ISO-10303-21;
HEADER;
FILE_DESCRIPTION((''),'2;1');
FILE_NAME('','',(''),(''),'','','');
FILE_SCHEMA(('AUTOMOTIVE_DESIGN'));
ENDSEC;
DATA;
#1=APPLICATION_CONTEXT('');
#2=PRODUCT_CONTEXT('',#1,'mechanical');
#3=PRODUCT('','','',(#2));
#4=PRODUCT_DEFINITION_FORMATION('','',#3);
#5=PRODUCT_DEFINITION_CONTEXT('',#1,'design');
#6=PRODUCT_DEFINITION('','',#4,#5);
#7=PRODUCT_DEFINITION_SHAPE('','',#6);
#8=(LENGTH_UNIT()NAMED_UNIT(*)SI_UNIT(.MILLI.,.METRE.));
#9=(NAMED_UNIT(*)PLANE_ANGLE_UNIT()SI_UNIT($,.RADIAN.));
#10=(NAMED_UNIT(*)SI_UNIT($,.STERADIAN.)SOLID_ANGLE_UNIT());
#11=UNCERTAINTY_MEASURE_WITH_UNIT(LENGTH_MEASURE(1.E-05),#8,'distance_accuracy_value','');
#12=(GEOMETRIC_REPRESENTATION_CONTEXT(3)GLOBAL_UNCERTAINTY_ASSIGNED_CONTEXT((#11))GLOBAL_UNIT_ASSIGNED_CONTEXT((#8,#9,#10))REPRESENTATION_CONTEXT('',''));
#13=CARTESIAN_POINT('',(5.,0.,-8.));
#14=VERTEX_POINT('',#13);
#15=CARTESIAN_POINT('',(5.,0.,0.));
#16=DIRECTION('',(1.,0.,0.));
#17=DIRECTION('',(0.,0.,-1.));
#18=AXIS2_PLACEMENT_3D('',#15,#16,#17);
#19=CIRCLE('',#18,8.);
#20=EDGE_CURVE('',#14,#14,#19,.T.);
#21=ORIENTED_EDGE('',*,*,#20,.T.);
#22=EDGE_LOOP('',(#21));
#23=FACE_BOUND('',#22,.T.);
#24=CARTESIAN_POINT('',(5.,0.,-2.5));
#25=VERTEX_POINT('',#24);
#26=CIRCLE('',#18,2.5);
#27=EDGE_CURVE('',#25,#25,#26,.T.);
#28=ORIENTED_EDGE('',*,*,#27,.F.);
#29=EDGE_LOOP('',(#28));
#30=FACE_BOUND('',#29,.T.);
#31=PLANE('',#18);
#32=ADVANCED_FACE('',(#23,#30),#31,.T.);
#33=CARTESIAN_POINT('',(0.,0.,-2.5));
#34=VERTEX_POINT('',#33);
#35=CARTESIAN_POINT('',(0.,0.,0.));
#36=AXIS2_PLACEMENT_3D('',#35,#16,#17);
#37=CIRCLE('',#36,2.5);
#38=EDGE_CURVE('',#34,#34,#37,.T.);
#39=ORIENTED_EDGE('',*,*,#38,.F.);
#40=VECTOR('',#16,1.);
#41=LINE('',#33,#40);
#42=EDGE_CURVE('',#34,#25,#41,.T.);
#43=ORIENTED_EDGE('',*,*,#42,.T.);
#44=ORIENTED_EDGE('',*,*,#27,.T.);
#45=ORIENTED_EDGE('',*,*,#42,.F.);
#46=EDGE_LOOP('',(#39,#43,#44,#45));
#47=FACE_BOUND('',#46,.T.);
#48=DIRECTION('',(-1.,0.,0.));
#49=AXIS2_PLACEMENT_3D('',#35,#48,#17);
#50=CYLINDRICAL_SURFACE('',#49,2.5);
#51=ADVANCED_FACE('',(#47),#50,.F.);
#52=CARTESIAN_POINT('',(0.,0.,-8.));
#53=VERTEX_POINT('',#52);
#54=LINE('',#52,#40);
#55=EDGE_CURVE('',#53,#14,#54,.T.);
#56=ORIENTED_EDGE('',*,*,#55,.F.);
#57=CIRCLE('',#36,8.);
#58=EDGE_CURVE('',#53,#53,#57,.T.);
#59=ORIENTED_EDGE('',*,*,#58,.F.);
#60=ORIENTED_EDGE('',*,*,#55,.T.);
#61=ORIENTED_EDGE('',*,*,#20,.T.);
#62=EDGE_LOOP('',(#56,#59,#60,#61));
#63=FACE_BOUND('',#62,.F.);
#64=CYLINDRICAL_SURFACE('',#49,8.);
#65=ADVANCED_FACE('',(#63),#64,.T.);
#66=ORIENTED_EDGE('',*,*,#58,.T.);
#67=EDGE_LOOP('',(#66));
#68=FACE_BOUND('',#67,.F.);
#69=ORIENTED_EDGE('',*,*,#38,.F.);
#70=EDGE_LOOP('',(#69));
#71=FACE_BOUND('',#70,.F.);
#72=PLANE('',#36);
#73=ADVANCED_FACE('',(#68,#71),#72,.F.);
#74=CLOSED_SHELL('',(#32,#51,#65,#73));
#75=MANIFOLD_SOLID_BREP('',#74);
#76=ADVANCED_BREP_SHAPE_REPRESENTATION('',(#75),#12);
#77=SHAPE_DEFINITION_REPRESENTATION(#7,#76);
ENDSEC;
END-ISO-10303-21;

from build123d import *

# Parameters (mm, degrees)
SKETCH_R             = 8
SKETCH_R_2           = 2.5
PAD_DEPTH            = 5
BODY_PLACEMENT_ANGLE = 270


with BuildPart() as part:
    # Sketch → Pad (new body)
    with BuildSketch(Plane.XY):
        Circle(SKETCH_R)
        Circle(SKETCH_R_2, mode=Mode.SUBTRACT)
    extrude(amount=PAD_DEPTH)


with BuildPart() as part_1:
    # Body placement: moved
    add(part.part.rotate(Axis((0, 0, 0), (0, -1, 0)), BODY_PLACEMENT_ANGLE))


solid = part_1.part
